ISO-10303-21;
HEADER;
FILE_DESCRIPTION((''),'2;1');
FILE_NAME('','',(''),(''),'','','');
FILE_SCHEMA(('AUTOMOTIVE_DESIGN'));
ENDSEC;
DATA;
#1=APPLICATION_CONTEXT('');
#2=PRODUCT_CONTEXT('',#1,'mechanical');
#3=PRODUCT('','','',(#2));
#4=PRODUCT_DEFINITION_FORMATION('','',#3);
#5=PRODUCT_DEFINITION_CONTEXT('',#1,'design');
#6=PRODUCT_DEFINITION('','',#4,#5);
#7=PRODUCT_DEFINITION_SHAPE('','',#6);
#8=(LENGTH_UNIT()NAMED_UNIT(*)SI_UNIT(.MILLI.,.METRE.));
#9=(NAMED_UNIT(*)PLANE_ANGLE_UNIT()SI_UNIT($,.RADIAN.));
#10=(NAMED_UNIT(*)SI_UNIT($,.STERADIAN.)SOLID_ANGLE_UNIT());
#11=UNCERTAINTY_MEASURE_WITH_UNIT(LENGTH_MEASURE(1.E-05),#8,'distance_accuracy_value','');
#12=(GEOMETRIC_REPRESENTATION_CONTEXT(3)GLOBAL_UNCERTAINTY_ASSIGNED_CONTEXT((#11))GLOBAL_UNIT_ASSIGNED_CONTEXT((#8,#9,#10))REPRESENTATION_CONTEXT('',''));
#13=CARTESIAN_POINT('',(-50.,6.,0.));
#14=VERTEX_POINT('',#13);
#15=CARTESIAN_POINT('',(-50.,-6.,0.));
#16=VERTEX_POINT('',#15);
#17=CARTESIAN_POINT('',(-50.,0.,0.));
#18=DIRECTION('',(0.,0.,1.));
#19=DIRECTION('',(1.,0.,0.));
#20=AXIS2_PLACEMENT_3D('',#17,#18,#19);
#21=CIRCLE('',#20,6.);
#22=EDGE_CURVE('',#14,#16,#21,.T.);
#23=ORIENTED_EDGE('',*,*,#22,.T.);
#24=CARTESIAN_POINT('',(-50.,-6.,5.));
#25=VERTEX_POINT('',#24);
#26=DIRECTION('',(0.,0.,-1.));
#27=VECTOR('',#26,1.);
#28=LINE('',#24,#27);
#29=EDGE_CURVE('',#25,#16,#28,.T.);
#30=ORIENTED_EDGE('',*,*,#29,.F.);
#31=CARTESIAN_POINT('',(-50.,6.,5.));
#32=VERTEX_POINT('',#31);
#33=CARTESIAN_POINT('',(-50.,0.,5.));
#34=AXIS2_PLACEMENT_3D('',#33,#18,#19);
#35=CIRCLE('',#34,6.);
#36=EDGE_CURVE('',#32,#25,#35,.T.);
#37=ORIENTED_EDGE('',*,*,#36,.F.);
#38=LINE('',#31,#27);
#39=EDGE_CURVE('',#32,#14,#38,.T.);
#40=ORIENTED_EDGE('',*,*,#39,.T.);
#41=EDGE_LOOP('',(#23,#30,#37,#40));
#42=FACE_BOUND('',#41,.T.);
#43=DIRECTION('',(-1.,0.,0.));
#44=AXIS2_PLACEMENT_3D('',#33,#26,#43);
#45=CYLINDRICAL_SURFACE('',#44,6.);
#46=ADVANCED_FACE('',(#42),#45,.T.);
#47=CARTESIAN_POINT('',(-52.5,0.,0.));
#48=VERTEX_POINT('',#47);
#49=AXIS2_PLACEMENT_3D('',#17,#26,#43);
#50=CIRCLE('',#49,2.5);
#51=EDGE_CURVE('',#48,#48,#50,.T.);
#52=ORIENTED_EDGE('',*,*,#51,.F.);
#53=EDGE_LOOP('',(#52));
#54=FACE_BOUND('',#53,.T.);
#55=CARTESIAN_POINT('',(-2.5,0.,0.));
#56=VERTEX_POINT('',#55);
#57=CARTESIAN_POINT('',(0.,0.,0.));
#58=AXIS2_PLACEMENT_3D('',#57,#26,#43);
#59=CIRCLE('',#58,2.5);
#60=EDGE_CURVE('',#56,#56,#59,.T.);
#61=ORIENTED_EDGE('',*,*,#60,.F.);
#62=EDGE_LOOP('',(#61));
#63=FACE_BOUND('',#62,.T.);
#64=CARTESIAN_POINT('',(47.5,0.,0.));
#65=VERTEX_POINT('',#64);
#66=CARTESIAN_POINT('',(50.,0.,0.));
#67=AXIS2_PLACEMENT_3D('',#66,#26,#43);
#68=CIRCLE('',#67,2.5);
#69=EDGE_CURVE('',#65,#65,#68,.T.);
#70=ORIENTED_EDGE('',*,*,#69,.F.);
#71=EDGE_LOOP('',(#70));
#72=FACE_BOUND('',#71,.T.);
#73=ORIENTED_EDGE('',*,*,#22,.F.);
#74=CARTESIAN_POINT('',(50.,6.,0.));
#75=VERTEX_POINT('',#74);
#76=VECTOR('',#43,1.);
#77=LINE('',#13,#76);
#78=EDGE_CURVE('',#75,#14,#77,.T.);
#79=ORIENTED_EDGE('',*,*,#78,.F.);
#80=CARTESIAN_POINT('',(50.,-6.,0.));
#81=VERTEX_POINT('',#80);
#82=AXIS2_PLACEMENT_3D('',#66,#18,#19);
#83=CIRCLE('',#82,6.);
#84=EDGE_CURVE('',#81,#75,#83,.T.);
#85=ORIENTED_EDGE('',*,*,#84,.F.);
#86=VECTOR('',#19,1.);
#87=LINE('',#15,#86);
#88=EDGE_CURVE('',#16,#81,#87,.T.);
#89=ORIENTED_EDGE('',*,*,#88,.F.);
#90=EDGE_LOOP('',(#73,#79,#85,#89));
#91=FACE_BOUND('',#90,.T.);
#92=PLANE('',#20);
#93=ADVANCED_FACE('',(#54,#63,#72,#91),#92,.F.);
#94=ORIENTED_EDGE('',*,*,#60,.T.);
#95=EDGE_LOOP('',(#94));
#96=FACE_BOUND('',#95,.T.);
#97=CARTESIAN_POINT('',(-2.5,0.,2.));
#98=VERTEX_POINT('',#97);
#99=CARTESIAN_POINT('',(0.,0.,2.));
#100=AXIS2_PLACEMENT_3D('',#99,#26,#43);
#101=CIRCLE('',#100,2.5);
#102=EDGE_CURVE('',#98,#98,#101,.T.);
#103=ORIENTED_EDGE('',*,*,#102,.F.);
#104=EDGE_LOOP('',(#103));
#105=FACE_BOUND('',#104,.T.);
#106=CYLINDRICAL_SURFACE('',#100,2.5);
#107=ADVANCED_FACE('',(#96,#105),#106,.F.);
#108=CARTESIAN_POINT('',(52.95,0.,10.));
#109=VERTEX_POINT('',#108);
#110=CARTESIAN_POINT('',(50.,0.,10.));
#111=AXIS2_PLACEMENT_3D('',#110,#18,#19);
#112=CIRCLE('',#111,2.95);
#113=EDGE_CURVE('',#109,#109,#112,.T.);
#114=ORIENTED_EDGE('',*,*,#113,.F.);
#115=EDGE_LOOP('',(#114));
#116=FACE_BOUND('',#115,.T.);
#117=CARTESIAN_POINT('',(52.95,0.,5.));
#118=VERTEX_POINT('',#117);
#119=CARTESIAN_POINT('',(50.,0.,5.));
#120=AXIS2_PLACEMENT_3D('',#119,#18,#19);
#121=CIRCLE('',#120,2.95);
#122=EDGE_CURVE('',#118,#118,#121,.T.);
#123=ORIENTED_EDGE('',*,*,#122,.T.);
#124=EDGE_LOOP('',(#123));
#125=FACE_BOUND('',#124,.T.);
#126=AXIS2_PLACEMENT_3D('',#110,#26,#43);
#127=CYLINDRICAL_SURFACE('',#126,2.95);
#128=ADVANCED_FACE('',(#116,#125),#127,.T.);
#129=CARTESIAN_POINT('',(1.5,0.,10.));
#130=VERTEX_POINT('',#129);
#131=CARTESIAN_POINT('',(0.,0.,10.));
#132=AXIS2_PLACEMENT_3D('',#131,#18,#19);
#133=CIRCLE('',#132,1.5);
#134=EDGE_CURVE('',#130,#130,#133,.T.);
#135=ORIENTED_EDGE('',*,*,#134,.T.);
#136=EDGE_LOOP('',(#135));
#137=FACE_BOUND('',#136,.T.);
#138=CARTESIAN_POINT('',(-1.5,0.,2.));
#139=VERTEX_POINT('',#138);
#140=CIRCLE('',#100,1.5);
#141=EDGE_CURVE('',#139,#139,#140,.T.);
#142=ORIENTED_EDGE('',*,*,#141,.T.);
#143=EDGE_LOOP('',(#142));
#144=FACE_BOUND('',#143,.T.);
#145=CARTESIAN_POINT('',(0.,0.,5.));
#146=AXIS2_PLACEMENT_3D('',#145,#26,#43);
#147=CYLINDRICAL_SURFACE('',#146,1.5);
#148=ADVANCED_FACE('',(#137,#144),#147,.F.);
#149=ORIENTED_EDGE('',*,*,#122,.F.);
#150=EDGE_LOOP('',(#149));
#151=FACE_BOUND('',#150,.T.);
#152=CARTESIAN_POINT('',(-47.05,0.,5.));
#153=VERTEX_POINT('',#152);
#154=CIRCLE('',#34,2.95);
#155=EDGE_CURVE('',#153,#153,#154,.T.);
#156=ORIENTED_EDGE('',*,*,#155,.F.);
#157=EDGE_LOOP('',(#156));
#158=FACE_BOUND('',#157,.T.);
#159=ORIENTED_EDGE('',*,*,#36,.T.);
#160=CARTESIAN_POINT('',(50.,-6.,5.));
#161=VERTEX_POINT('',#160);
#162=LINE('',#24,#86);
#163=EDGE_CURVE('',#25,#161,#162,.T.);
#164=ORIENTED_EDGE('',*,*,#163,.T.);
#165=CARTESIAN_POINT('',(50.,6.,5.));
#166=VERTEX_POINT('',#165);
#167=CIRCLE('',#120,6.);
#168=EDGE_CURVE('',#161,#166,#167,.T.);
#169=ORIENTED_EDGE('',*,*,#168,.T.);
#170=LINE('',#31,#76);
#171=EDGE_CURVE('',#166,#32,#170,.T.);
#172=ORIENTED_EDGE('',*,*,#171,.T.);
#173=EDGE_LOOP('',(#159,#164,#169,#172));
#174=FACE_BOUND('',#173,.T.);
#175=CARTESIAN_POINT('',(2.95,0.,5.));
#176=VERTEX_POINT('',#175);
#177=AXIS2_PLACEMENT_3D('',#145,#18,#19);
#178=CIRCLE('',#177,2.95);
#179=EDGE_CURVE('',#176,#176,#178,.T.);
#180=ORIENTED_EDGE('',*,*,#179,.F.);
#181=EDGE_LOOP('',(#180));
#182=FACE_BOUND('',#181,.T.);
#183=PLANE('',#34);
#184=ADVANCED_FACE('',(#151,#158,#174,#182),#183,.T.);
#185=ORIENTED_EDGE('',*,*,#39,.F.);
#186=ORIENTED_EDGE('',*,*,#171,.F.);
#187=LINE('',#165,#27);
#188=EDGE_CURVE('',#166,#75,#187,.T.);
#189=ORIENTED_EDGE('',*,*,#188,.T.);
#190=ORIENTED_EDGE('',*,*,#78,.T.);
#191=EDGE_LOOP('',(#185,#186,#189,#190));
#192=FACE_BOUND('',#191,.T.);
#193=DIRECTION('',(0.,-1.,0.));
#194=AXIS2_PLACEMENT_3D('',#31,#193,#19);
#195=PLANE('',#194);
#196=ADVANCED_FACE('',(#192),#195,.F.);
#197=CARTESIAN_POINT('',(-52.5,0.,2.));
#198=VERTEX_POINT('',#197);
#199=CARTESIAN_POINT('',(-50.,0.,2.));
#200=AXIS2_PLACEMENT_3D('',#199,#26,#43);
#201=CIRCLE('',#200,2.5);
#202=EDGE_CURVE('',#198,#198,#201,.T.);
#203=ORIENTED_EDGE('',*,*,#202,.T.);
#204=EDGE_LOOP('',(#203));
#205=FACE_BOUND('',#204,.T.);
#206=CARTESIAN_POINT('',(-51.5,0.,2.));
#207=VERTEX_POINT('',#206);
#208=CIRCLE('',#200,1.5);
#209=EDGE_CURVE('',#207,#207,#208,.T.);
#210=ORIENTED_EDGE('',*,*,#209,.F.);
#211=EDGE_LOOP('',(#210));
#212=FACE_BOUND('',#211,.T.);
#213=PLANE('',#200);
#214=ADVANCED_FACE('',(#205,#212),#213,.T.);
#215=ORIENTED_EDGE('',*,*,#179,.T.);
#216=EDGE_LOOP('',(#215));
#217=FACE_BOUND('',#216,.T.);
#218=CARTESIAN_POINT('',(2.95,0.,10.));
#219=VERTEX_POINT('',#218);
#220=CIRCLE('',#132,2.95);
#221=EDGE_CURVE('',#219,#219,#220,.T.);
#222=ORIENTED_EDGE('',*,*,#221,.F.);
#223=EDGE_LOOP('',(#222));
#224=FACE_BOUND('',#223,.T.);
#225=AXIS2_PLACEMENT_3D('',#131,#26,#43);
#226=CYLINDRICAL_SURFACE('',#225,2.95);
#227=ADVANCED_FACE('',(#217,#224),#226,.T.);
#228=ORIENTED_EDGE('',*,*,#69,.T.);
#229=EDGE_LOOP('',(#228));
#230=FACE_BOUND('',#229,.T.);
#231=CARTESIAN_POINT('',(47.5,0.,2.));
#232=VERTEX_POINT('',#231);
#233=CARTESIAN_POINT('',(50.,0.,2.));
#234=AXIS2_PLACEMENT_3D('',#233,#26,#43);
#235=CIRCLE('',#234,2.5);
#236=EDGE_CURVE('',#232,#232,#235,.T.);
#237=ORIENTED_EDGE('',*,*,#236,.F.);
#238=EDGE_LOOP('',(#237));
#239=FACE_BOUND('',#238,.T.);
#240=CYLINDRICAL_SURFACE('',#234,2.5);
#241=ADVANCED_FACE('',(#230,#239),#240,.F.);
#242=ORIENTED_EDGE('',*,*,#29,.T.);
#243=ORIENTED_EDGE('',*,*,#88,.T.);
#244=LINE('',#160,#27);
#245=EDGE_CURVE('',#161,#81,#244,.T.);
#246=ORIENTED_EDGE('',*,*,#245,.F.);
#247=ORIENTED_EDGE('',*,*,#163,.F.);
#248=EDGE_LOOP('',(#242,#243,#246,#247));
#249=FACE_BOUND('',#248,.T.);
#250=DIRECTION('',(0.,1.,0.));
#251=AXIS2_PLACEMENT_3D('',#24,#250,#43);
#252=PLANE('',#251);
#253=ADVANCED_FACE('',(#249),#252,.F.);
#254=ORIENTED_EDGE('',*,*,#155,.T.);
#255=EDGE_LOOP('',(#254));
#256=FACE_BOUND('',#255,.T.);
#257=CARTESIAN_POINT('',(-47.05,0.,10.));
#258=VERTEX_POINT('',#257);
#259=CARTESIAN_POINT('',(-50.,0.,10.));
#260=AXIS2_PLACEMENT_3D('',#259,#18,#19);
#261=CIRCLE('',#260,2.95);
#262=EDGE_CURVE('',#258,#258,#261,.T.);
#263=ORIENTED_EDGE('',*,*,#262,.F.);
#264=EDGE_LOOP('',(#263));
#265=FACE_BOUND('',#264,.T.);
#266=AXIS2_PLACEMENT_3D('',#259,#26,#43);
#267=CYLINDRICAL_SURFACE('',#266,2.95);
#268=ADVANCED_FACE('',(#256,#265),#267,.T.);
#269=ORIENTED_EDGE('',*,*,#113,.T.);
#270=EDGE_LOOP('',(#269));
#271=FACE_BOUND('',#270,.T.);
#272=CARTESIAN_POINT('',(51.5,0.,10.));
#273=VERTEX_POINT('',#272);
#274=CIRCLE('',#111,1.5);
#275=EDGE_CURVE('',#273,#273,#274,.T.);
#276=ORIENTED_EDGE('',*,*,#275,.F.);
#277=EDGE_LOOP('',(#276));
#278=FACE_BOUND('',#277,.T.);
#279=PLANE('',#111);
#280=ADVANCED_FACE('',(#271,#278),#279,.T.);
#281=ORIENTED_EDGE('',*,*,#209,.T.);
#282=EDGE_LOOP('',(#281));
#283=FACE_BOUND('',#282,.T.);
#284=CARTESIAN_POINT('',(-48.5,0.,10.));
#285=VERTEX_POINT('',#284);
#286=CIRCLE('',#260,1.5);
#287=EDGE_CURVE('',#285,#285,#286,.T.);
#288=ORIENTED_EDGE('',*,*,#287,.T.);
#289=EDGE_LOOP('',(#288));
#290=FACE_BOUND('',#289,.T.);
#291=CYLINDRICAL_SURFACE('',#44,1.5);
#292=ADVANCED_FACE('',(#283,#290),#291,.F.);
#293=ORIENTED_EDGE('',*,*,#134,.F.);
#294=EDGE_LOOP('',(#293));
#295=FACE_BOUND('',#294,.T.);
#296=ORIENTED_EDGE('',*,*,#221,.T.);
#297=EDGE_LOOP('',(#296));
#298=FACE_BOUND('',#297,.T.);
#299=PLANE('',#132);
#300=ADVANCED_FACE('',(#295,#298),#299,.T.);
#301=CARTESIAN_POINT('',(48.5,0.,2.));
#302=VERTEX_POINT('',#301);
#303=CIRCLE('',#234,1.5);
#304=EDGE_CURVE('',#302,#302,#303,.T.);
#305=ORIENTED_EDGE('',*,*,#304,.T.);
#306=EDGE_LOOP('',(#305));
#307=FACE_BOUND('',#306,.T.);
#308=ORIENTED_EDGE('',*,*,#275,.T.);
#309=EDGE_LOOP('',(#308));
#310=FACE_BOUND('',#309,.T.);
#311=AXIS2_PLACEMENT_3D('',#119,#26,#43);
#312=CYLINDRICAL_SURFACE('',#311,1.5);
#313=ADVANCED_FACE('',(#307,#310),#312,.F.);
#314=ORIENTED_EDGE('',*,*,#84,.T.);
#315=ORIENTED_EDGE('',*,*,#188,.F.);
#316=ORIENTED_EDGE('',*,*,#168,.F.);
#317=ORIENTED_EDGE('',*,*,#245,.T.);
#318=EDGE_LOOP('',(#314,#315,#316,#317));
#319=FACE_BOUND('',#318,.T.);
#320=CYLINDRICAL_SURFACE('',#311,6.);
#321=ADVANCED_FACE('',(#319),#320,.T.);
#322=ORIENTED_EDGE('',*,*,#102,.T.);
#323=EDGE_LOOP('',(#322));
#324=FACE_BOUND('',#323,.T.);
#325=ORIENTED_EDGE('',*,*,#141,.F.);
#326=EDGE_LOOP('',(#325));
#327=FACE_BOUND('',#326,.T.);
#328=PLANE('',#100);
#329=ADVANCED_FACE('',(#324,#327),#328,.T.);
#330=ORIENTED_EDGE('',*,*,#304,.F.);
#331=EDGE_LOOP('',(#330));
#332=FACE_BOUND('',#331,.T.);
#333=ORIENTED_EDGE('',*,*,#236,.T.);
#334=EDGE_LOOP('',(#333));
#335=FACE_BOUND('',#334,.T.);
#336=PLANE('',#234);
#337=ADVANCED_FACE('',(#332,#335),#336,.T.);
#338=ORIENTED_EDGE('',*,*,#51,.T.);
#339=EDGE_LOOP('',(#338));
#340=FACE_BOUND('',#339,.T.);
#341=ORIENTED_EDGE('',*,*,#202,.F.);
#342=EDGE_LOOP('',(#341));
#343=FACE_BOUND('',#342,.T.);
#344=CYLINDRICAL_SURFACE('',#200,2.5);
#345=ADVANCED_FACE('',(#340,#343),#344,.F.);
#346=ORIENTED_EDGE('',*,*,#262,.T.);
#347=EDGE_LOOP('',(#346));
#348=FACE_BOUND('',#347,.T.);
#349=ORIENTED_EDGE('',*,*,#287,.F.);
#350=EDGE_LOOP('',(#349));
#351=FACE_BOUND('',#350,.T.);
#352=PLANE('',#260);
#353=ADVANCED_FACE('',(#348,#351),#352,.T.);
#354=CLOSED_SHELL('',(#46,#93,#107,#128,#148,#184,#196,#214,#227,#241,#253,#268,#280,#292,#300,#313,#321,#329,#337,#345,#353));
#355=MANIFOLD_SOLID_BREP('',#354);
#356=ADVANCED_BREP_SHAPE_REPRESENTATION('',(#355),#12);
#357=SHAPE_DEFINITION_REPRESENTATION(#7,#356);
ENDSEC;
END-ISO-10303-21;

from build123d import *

# Parameters (mm, degrees)
SKETCH1_R           = 1.5
BOSS_EXTRUDE1_DEPTH = 5
SKETCH2_R           = 2.95
SKETCH2_R_2         = 1.5
BOSS_EXTRUDE2_DEPTH = 5
SKETCH4_R           = 2.5
CUT_EXTRUDE1_DEPTH  = 2


with BuildPart() as part:
    # Sketch1 → Boss-Extrude1 (new body)
    with BuildSketch(Plane.XY):
        with BuildLine():
            Line((-50, 6), (50, 6))
            ThreePointArc((50, 6), (56, 0), (50, -6))
            Line((50, -6), (-50, -6))
            ThreePointArc((-50, -6), (-56, 0), (-50, 6))
        make_face()
        with Locations((-50, 0)):
            Circle(SKETCH1_R, mode=Mode.SUBTRACT)
        with Locations((50, 0)):
            Circle(SKETCH1_R, mode=Mode.SUBTRACT)
        Circle(SKETCH1_R, mode=Mode.SUBTRACT)
    extrude(amount=BOSS_EXTRUDE1_DEPTH)

    # Sketch2 → Boss-Extrude2 (add)
    # profile 1 of 3: a face of its own
    with BuildSketch(Plane.XY.offset(5)):
        with Locations((-50, 0)):
            Circle(SKETCH2_R)
        with Locations((-50, 0)):
            Circle(SKETCH2_R_2, mode=Mode.SUBTRACT)
    # profile 2 of 3: a face of its own
    with BuildSketch(Plane.XY.offset(5)):
        Circle(SKETCH2_R)
        Circle(SKETCH2_R_2, mode=Mode.SUBTRACT)
    # profile 3 of 3: a face of its own
    with BuildSketch(Plane.XY.offset(5)):
        with Locations((50, 0)):
            Circle(SKETCH2_R)
        with Locations((50, 0)):
            Circle(SKETCH2_R_2, mode=Mode.SUBTRACT)
    extrude(amount=BOSS_EXTRUDE2_DEPTH)

    # Sketch4 → Cut-Extrude1 (cut)
    with BuildSketch(Plane(origin=(0, 0, 0), x_dir=(-1, 0, 0), z_dir=(0, 0, -1))):
        with Locations((-50, 0)):
            Circle(SKETCH4_R)
        Circle(SKETCH4_R)
        with Locations((50, 0)):
            Circle(SKETCH4_R)
    extrude(amount=-CUT_EXTRUDE1_DEPTH, mode=Mode.SUBTRACT)


solid = part.part
